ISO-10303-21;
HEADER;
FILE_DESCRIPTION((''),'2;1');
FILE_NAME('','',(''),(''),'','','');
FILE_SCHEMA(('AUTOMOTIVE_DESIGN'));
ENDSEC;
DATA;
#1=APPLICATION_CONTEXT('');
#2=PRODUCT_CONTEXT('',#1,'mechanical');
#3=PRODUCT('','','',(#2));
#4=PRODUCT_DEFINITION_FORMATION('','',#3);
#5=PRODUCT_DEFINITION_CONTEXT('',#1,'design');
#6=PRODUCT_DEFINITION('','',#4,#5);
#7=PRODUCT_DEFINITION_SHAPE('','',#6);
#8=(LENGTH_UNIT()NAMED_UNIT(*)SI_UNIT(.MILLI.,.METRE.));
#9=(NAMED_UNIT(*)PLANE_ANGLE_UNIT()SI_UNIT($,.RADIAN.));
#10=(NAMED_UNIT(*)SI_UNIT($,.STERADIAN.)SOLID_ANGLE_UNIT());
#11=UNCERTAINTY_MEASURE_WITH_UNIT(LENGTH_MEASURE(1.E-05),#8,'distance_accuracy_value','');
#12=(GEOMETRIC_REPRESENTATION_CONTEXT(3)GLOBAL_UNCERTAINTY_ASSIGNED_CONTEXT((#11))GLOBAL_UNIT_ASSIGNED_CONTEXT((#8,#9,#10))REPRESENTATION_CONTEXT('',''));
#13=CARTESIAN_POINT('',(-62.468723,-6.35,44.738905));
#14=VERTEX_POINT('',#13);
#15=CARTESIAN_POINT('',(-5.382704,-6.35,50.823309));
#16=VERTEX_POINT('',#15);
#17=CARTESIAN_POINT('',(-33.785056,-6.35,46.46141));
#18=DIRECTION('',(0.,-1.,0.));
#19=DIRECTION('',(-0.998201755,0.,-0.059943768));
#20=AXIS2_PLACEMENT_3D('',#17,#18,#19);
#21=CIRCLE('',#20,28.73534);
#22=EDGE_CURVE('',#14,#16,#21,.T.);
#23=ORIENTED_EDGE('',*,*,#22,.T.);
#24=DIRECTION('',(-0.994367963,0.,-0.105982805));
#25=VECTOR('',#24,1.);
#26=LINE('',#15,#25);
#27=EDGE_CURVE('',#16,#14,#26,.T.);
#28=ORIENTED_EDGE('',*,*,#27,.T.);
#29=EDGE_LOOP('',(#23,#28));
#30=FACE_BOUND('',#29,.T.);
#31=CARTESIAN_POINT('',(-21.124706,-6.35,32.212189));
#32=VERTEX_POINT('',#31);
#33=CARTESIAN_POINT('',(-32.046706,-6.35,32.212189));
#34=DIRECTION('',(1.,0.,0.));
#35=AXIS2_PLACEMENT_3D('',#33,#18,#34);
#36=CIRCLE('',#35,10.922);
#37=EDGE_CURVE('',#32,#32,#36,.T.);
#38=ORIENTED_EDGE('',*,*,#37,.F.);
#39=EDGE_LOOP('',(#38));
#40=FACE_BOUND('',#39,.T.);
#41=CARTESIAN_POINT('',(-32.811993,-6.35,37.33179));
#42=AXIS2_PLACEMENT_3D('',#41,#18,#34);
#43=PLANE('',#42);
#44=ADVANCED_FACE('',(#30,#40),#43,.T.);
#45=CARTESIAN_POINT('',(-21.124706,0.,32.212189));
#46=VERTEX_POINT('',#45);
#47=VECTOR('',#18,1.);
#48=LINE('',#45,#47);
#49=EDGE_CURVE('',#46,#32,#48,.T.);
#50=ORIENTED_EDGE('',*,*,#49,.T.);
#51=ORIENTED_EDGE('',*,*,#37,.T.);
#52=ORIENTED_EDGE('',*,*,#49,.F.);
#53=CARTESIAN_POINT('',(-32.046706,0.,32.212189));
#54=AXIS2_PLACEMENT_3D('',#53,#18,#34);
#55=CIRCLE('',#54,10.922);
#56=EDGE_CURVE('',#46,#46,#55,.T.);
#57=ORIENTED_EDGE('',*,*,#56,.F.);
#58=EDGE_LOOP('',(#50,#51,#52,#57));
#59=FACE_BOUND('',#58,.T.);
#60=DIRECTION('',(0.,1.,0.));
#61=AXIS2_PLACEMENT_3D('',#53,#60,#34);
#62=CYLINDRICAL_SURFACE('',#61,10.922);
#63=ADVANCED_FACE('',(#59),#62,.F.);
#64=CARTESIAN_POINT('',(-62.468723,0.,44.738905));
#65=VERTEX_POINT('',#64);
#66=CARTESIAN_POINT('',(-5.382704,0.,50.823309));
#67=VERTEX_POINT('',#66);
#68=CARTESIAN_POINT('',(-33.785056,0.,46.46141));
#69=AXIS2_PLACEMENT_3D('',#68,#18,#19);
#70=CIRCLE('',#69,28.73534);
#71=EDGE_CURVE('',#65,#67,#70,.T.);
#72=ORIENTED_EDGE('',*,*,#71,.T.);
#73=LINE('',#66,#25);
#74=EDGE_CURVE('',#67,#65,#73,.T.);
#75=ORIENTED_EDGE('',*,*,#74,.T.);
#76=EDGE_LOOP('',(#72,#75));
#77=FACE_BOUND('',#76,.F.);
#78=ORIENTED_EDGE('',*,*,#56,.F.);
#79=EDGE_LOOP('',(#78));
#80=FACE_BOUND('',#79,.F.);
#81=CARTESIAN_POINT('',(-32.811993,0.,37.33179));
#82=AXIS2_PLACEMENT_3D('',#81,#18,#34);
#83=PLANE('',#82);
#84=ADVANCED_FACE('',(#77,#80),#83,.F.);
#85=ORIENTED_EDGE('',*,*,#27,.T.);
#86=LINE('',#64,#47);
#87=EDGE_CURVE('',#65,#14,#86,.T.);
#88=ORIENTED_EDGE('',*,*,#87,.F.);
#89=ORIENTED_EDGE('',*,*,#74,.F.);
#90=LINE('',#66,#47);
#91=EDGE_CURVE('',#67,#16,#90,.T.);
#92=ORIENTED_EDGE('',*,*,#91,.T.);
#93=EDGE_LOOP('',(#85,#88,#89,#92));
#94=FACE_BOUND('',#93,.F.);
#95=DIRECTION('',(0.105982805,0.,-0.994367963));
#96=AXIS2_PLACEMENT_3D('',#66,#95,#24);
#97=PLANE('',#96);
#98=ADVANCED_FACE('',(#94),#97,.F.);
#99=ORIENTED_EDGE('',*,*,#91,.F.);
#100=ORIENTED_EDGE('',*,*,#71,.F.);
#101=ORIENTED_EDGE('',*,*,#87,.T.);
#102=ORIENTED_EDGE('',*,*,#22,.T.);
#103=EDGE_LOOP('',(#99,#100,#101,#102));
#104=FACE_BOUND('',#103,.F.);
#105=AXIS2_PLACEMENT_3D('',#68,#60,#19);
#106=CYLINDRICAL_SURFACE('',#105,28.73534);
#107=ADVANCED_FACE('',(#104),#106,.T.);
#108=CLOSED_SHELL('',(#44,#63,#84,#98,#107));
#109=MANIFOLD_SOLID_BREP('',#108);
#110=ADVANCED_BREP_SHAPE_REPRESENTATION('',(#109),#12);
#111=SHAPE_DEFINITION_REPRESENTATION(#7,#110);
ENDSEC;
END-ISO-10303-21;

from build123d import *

# Parameters (mm, degrees)
F0_R     = 10.922
F1_DEPTH = 6.35


with BuildPart() as f1:
    # F0 (on Front) → F1 (new body)
    with BuildSketch(Plane.XZ):
        with BuildLine():
            Line((-5.382704, 50.823309), (-62.468723, 44.738905))
            ThreePointArc((-62.468723, 44.738905), (-30.739604, 17.887908), (-5.382704, 50.823309))
        make_face()
        with Locations((-32.046706, 32.212189)):
            Circle(F0_R, mode=Mode.SUBTRACT)
    extrude(amount=F1_DEPTH)


solid = f1.part
